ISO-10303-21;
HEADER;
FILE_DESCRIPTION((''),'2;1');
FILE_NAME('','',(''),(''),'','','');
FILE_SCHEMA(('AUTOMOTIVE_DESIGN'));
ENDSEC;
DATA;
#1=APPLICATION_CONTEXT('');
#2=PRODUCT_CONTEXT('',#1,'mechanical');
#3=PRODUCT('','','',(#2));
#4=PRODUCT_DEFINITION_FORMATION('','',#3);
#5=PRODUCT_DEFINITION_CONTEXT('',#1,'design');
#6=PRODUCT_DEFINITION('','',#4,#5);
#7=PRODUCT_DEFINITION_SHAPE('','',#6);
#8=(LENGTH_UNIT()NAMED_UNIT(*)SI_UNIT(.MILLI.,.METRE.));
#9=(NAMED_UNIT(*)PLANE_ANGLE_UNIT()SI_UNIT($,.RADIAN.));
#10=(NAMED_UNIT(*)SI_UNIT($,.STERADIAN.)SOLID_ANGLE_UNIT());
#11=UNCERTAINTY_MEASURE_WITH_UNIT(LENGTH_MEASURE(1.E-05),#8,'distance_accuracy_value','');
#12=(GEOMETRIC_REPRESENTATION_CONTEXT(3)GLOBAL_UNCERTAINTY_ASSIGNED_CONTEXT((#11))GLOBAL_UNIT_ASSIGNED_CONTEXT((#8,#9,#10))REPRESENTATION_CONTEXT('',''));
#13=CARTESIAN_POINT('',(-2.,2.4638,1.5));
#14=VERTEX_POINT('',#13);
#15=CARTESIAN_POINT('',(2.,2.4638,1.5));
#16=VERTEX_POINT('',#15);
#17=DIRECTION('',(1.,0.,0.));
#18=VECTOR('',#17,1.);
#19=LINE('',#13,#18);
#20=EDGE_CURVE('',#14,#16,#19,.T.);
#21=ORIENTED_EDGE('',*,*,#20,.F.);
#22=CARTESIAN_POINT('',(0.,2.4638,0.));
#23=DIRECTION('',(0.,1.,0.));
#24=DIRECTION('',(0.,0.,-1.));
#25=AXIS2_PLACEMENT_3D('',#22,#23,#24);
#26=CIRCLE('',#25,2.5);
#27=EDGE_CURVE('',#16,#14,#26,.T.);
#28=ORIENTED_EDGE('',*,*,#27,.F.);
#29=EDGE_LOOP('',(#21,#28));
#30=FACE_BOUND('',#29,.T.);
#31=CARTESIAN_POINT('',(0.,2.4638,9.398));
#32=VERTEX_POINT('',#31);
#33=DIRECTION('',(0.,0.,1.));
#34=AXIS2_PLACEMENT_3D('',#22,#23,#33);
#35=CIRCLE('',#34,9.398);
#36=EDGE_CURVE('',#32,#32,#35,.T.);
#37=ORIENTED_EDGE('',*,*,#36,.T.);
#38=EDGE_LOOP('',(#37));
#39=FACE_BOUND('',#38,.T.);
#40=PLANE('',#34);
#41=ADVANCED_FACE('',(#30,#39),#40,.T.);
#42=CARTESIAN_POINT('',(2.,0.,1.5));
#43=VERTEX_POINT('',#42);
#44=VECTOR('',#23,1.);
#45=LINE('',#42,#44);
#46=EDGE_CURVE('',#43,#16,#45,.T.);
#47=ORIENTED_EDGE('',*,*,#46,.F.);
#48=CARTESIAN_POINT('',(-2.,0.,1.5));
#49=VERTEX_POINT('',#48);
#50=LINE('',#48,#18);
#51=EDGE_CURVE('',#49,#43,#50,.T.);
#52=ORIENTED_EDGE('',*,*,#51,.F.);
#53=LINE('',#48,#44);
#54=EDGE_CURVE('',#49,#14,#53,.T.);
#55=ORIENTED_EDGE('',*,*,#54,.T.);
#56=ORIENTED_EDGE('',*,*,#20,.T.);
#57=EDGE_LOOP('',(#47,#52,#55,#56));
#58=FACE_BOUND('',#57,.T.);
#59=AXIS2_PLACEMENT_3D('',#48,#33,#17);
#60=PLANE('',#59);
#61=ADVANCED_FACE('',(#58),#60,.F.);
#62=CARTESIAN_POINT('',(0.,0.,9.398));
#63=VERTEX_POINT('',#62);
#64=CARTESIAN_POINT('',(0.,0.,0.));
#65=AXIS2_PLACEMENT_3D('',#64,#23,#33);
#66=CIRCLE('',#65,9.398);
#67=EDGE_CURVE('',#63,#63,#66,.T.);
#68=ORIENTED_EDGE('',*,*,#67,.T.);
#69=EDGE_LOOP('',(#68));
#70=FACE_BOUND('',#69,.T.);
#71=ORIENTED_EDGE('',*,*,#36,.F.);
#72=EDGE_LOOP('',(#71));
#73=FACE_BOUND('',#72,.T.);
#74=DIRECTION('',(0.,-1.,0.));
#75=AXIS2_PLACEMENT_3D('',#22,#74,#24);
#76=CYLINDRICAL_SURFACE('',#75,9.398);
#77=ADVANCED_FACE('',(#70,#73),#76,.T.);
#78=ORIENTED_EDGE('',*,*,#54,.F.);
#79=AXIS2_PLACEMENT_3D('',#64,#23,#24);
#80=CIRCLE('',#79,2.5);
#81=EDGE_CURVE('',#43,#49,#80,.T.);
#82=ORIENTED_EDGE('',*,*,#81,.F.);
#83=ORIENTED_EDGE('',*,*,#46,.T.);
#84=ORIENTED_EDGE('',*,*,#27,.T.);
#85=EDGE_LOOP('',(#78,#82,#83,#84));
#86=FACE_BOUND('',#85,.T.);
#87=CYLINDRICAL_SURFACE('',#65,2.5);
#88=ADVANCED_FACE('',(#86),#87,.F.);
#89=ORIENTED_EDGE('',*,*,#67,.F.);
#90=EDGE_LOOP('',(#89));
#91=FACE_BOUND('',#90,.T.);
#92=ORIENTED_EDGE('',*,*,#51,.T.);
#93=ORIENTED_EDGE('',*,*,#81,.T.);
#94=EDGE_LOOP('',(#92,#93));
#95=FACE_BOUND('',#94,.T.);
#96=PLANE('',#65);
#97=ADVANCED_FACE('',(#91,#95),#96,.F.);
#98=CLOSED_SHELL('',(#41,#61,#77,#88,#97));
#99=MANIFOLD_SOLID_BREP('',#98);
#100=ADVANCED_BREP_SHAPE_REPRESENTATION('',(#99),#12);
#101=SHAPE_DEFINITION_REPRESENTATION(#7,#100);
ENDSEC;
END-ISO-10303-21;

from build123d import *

# Parameters (mm, degrees)
SKETCH1_R           = 9.398
BOSS_EXTRUDE1_DEPTH = 2.4638
CUT_EXTRUDE1_DEPTH  = 14.517215632


with BuildPart() as part:
    # Sketch1 → Boss-Extrude1 (new body)
    with BuildSketch(Plane(origin=(0, 0, 0), x_dir=(1, 0, 0), z_dir=(0, 1, 0))):
        with Locations(Location((0, 0, 0), (0, 0, 270))):
            Circle(SKETCH1_R)
    extrude(amount=BOSS_EXTRUDE1_DEPTH)

    # Sketch2 → Cut-Extrude1 (cut, through all)
    with BuildSketch(Plane(origin=(0, 2.4638, 0), x_dir=(1, 0, 0), z_dir=(0, 1, 0))):
        with BuildLine():
            Line((-2, -1.5), (2, -1.5))
            ThreePointArc((2, -1.5), (0, 2.5), (-2, -1.5))
        make_face()
    extrude(amount=-CUT_EXTRUDE1_DEPTH, mode=Mode.SUBTRACT)


solid = part.part
